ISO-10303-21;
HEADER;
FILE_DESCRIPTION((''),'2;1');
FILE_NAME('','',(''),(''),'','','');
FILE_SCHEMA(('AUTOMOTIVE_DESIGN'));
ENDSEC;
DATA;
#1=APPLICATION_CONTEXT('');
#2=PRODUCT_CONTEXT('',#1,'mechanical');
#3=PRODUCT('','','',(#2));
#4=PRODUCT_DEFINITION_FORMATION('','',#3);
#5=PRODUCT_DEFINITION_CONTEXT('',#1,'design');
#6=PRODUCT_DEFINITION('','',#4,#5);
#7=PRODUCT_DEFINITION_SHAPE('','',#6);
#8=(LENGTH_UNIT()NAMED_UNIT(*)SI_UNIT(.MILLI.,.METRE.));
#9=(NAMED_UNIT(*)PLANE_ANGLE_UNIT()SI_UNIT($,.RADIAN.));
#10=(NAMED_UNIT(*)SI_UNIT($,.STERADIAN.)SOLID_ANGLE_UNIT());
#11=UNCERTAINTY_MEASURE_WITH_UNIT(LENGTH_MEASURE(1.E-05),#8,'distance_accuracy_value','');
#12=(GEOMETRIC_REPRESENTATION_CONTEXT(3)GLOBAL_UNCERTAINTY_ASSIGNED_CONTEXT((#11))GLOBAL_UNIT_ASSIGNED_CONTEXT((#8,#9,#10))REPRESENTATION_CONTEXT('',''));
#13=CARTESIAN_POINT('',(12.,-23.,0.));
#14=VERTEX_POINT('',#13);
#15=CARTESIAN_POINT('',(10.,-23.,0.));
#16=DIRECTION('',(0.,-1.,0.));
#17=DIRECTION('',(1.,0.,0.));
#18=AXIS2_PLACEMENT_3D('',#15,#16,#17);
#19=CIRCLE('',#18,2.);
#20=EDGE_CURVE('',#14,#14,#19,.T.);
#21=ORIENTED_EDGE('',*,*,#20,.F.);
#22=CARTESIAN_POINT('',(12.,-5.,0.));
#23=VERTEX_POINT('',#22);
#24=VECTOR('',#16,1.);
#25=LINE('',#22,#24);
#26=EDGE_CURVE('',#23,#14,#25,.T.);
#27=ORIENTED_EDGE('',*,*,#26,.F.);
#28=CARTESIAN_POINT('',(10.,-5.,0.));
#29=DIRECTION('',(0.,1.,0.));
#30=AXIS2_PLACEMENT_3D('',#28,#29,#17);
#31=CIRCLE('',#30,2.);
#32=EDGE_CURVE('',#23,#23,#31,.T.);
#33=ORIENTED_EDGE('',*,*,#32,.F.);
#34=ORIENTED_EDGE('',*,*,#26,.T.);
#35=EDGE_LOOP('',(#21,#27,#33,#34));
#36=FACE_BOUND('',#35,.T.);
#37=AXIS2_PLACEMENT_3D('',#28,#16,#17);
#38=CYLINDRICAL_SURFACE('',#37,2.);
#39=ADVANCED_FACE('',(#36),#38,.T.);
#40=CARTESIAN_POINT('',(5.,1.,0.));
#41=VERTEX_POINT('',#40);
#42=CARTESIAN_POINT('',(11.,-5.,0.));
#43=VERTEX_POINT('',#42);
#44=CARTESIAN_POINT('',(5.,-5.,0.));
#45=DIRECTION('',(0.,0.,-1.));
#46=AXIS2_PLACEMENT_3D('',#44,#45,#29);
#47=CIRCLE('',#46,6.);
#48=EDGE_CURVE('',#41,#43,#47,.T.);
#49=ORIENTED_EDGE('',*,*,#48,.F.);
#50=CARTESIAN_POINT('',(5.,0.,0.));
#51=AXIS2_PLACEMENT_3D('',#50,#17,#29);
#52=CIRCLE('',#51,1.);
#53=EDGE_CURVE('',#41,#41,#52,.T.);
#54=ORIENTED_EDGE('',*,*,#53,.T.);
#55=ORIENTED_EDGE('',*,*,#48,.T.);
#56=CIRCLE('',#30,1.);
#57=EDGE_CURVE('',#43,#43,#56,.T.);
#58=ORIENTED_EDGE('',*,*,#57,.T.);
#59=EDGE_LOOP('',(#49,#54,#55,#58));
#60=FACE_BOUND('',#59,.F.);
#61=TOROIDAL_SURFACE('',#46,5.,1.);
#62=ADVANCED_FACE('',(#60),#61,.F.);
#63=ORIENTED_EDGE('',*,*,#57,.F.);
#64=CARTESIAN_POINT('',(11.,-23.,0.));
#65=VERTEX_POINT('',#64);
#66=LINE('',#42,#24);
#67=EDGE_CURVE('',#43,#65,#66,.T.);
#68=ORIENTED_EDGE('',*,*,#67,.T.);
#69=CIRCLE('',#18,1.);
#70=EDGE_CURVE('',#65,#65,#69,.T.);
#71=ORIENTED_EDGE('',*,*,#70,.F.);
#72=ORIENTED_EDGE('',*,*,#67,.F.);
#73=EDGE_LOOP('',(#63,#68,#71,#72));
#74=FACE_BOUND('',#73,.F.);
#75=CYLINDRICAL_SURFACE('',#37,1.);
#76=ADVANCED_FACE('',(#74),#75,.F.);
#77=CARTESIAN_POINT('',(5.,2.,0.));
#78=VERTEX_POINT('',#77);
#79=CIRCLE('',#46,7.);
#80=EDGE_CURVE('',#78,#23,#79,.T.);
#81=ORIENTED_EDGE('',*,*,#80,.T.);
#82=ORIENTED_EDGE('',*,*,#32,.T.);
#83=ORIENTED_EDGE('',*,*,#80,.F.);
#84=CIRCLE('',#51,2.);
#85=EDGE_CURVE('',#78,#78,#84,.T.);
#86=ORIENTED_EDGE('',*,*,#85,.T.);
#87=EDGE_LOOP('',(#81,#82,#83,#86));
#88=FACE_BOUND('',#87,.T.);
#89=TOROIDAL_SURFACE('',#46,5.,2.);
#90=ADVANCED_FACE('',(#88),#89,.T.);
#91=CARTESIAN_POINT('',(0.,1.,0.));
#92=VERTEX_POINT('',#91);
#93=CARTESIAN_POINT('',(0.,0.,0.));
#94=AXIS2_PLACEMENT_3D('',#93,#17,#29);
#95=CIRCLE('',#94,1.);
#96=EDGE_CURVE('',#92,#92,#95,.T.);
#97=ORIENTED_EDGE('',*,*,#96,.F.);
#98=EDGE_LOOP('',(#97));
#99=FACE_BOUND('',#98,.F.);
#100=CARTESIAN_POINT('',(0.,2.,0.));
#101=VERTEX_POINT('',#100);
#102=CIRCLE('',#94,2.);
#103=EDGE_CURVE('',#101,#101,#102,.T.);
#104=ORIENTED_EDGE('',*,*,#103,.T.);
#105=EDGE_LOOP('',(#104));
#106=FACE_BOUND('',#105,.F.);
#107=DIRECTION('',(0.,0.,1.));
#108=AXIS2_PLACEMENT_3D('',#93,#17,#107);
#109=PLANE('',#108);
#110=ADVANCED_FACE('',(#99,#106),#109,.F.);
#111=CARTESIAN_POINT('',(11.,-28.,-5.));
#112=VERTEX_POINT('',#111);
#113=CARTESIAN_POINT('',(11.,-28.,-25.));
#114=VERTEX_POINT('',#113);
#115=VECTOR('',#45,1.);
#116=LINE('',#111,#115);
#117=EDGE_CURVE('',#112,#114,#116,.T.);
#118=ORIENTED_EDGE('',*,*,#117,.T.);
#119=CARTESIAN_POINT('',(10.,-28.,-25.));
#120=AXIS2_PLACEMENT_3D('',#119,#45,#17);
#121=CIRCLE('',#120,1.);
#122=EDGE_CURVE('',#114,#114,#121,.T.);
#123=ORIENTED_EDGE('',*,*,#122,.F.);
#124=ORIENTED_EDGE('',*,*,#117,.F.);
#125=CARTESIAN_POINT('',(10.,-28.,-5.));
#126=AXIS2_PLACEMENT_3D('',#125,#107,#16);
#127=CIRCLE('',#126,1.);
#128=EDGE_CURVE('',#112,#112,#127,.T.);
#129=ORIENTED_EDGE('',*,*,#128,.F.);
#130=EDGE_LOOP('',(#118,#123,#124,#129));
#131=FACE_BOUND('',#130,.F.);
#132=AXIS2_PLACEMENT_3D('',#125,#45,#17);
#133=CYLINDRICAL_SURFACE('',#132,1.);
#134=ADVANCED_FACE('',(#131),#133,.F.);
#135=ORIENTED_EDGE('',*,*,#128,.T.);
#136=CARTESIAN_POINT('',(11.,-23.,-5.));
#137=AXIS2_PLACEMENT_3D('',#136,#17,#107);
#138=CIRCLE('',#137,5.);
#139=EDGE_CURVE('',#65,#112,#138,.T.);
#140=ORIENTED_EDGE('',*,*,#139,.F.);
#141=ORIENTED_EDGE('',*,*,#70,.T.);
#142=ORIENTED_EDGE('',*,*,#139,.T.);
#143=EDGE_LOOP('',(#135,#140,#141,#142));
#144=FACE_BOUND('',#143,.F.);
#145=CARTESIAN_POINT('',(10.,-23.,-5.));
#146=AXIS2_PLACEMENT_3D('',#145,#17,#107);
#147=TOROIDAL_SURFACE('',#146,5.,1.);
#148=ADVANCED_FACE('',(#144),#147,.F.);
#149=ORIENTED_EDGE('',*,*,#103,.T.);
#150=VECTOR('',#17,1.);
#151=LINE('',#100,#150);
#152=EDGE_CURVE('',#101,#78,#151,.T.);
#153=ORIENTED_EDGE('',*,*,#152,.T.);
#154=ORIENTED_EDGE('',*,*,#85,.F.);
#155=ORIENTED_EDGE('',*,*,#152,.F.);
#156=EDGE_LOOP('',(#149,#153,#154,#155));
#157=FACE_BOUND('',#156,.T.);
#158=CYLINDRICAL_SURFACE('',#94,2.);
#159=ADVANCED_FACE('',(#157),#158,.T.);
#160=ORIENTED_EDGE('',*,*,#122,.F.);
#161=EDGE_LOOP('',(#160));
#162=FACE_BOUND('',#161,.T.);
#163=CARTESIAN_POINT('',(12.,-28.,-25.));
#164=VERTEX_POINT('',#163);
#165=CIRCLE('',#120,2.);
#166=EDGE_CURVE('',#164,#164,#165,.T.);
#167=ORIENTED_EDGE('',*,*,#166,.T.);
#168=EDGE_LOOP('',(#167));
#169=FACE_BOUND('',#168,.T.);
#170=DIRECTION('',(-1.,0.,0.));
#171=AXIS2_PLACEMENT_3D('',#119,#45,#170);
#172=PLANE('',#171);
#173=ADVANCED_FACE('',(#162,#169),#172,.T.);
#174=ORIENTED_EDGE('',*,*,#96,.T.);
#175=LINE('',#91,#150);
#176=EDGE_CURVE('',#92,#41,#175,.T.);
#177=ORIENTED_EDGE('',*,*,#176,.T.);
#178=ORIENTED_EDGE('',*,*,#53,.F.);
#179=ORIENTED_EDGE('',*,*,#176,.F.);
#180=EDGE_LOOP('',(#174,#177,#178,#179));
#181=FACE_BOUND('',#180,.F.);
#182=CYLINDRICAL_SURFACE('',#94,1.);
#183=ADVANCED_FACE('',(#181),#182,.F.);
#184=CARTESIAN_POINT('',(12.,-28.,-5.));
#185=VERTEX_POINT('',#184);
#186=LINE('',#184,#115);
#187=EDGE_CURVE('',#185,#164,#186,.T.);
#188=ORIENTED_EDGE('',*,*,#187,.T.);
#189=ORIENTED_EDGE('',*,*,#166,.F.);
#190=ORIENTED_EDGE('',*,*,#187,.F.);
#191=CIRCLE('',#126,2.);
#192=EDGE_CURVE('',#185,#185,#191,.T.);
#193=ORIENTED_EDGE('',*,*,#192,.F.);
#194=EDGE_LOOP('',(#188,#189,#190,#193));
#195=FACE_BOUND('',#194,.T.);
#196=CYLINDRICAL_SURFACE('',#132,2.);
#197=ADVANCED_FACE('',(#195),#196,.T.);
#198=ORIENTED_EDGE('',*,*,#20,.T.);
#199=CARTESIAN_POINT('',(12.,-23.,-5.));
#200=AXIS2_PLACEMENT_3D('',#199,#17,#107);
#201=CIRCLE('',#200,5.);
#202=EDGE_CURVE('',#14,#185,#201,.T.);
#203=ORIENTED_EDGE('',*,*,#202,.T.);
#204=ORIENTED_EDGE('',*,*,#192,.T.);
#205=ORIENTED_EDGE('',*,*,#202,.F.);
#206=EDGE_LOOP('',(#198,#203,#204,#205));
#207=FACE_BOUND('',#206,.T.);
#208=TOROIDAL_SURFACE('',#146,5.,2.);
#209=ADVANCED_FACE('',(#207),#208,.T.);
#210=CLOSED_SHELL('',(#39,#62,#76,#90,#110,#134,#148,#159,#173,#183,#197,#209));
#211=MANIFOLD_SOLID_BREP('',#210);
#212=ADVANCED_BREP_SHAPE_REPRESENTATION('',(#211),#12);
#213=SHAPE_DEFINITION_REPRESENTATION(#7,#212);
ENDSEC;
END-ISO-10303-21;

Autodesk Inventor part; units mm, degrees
ref_plane "YZ Plane" through (0, 0, 0) normal (1, 0, 0) x (0, 1, 0)
ref_plane "XZ Plane" through (0, 0, 0) normal (0, 1, 0) x (-1, 0, 0)
ref_plane "XY Plane" through (0, 0, 0) normal (0, 0, 1) x (1, 0, 0)
sketch "Sketch2" plane through (0, 0, 0) normal (1, 0, 0) x (0, 1, 0)
  circle A0 centre (0, 0) radius 1
  circle A1 centre (0, 0) radius 2
  dimension "d8" = 2
  dimension "d9" = 1
sketch3d "3D Sketch1"
  line L0 (0, 0, 0) -> (5, 0, 0)
  arc A0 (5, 0, 0) -> (10, -5, 0) centre (5, -5, 0) ccw
  line L1 (10, -5, 0) -> (10, -23, 0)
  arc A1 (10, -23, 0) -> (10, -28, -5) centre (10, -23, -5) ccw
  line L2 (10, -28, -5) -> (10, -28, -25)
  dimension "d3" = 10
  dimension "d4" = 28
  dimension "d5" = 25
  dimension "d6" = 5
  dimension "d7" = 5
sweep "Sweep1" add profiles "Sketch2" path "3D Sketch1"
equation "\"d7\" = d6"
properties part number "Pipe1"
